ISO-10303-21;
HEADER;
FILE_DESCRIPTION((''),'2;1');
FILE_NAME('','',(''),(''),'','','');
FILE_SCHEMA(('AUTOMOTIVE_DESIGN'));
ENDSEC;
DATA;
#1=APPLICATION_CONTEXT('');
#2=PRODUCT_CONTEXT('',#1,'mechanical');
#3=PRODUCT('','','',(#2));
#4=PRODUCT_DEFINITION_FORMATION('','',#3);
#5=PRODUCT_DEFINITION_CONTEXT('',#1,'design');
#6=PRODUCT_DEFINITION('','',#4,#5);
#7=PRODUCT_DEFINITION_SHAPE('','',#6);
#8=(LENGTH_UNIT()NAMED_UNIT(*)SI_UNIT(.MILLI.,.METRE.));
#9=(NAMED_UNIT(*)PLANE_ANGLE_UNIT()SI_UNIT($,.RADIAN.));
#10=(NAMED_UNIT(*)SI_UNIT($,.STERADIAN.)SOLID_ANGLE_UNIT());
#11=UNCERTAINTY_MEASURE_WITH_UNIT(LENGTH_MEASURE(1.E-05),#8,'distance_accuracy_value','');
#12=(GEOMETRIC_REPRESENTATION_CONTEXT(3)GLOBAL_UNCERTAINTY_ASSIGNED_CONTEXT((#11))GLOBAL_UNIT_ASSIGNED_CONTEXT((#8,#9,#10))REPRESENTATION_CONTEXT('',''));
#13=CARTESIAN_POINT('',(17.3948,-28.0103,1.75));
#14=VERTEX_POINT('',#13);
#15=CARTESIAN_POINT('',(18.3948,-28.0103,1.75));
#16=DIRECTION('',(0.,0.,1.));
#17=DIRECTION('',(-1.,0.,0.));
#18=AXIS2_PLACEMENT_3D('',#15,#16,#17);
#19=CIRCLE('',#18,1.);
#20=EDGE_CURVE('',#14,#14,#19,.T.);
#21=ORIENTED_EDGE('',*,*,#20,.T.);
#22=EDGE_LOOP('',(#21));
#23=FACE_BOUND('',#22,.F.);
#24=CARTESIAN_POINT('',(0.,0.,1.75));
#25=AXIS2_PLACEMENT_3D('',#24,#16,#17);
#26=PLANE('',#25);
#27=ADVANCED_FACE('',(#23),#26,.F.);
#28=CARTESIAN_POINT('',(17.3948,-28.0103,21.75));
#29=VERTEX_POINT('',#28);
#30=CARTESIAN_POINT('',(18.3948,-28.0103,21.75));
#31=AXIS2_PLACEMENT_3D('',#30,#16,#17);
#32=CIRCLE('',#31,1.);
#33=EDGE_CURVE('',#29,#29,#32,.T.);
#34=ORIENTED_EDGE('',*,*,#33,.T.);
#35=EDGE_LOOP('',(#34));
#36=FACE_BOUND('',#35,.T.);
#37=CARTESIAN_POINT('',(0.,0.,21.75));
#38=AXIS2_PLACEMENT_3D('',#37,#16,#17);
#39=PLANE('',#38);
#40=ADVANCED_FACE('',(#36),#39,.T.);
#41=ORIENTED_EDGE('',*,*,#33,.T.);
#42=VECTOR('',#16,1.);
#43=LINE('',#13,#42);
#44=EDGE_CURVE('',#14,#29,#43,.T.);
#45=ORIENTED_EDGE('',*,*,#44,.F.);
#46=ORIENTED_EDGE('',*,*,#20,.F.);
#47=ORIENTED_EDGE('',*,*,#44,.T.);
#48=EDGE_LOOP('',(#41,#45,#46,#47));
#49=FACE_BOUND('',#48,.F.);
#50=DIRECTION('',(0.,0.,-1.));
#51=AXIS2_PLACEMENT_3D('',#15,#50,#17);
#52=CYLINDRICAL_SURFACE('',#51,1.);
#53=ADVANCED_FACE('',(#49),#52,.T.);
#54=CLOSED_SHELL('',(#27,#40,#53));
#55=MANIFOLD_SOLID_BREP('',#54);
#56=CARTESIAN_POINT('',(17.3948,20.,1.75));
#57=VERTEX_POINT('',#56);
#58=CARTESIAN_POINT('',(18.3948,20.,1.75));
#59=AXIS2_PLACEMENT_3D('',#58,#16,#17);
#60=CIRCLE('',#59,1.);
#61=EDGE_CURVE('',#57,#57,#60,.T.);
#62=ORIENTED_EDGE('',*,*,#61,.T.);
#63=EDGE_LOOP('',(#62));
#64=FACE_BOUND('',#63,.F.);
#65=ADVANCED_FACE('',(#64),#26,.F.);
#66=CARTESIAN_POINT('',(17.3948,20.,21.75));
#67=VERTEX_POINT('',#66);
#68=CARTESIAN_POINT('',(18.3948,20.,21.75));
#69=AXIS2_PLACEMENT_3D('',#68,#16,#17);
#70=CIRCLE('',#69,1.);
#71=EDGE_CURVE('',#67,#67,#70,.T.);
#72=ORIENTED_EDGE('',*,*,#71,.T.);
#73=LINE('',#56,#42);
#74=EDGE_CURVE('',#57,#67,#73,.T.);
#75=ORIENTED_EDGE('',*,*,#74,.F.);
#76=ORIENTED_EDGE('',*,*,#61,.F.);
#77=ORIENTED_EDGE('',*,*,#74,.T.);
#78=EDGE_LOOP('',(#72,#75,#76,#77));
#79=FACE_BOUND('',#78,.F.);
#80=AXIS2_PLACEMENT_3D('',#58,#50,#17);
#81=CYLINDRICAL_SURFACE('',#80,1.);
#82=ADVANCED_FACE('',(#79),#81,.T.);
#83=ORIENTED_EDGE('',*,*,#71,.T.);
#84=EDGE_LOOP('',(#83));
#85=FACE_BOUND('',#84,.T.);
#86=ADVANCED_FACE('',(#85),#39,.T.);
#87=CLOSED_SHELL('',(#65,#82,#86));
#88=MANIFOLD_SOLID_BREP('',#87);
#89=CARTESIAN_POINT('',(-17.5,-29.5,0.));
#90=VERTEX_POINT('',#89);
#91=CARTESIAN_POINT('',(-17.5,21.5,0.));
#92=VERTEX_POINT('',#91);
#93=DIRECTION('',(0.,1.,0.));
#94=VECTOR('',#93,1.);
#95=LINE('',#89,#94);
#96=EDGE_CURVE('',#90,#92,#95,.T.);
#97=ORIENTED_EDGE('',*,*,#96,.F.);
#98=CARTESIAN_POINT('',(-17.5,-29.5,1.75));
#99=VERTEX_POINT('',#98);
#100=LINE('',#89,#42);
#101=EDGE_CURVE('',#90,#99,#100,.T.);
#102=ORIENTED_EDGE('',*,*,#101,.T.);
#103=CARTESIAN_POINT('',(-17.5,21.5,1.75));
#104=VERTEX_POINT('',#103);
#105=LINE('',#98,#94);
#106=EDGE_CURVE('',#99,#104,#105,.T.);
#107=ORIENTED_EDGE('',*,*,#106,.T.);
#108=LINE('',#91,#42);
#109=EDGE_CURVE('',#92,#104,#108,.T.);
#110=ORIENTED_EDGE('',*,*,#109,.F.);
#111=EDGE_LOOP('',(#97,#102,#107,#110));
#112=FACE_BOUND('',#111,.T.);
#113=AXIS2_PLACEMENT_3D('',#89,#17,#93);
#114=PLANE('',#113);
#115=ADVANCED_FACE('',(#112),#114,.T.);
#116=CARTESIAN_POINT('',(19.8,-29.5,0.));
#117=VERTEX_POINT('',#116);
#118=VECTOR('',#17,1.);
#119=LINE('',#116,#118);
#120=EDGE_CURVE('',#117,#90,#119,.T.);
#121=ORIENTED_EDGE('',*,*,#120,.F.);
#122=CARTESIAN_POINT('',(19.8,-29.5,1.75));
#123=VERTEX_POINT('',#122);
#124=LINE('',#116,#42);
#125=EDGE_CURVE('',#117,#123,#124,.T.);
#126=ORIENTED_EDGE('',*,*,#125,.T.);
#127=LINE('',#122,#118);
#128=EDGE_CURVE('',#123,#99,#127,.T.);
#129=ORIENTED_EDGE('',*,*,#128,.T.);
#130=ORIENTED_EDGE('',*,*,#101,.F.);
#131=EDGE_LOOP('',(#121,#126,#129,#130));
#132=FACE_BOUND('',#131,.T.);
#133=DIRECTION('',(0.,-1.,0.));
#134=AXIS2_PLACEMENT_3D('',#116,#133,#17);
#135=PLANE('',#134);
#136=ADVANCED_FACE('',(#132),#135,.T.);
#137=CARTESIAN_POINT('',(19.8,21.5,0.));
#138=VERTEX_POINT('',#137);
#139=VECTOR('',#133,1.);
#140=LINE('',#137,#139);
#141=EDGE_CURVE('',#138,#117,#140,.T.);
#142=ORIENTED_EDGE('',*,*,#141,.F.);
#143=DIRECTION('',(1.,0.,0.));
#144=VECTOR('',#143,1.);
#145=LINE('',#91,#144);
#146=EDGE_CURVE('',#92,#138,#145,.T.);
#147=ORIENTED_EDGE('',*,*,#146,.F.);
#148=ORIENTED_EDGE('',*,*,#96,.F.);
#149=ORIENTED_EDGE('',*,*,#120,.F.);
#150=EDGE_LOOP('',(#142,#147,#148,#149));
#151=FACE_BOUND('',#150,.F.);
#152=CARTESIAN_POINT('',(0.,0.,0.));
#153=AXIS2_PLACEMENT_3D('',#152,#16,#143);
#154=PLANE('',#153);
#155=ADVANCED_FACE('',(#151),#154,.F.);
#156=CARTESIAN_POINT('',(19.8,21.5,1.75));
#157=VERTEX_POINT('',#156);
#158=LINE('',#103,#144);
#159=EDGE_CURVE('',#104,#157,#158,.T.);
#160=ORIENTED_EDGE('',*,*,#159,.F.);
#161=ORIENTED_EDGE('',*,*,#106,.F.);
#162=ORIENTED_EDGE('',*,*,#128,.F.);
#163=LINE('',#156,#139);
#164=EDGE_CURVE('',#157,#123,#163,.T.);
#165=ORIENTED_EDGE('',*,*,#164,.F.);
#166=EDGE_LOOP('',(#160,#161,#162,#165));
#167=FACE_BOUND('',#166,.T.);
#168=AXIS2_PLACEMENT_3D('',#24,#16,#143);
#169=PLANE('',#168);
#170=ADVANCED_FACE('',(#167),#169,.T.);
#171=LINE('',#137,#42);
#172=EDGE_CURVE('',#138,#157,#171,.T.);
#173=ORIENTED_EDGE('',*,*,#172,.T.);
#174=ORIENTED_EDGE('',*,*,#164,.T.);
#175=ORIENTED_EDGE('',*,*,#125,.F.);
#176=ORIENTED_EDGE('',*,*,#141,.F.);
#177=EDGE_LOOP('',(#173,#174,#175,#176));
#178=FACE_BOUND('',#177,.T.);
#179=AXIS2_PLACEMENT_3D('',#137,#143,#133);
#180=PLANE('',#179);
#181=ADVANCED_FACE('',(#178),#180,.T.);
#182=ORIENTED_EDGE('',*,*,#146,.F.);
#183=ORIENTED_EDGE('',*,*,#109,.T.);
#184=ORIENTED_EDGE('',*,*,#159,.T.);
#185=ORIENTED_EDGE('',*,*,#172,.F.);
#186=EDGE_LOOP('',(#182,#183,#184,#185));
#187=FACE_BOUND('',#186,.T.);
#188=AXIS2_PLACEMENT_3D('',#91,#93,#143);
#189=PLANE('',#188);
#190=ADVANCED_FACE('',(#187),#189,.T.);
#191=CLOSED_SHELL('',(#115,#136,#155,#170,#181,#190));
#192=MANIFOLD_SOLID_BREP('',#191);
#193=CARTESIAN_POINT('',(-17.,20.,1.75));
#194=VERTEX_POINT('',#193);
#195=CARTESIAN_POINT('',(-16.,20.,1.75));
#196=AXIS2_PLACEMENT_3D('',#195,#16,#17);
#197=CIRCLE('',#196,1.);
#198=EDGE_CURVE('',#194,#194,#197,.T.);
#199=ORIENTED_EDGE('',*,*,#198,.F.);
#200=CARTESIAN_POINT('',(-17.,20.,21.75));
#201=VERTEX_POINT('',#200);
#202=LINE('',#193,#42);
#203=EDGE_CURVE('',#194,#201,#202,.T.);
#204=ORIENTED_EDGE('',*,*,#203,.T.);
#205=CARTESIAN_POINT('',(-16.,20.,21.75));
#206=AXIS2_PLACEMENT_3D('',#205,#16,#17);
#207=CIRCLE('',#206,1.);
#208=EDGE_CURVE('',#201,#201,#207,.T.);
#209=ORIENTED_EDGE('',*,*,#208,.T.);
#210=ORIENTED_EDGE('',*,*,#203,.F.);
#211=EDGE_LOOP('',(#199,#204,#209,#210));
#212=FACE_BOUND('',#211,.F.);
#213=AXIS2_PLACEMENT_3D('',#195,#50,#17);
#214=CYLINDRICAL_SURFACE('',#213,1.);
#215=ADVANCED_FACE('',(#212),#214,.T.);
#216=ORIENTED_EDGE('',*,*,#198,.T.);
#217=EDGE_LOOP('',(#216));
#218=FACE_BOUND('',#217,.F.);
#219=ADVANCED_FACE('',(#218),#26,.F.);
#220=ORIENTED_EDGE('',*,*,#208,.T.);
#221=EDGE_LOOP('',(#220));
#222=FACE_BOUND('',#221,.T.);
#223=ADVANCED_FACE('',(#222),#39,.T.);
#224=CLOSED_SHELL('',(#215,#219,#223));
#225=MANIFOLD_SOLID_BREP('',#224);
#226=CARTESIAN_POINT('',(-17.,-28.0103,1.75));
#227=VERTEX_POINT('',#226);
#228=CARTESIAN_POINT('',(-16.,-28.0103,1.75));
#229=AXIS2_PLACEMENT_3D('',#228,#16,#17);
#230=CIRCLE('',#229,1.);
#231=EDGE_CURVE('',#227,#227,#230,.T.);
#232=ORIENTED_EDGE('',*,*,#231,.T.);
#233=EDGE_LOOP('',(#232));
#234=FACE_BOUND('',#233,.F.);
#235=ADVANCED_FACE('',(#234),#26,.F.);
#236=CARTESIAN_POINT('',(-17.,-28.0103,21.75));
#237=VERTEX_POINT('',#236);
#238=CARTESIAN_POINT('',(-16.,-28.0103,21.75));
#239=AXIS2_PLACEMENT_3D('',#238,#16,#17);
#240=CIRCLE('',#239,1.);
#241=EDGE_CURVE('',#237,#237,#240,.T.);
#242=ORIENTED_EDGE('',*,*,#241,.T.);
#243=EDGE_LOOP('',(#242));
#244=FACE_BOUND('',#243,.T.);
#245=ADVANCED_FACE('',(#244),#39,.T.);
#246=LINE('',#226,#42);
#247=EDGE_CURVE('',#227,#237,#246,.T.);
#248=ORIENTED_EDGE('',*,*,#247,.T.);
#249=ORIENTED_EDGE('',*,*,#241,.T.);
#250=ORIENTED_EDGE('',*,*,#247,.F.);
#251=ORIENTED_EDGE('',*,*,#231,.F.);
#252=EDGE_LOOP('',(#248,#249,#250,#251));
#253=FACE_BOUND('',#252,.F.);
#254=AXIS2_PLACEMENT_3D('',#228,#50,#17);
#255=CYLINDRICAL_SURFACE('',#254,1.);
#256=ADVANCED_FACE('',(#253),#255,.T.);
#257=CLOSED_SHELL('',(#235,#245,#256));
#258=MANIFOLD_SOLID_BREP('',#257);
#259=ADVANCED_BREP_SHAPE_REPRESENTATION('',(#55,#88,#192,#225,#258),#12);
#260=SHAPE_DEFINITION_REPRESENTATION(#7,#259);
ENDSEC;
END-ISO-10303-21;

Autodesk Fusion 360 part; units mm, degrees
sketch "Sketch1" plane through (0, 0, 0) normal (0, 0, 1) x (1, 0, 0)
  line L0 (-17.5, 21.5) -> (19.8, 21.5)
  line L1 (19.8, 21.5) -> (19.8, -29.5)
  line L2 (19.8, -29.5) -> (-17.5, -29.5)
  line L3 (-17.5, -29.5) -> (-17.5, 21.5)
  dimension "d1" = 37.3
  dimension "d2" = 51
  dimension "d3" = 17.5
  dimension "d4" = 21.5
extrude "Extrude1" add sketch "Sketch1" along normal blind 1.75 makes body 1
sketch "Sketch2" plane through (0, 0, 1.75) normal (0, 0, 1) x (-1, 0, 0)
  line L0 (17.5, 29.5) -> (-19.8, 29.5)
  line L1 (-19.8, 29.5) -> (-19.8, -21.5)
  line L2 (-19.8, -21.5) -> (17.5, -21.5)
  line L3 (17.5, -21.5) -> (17.5, 29.5)
  circle A0 centre (16, -20) radius 1
  circle A1 centre (-18.3948, -20) radius 1
  circle A2 centre (-18.3948, 28.0103) radius 1
  circle A3 centre (16, 28.0103) radius 1
  dimension "d7" = 2
  dimension "d8" = 2
  dimension "d9" = 2
  dimension "d10" = 2
extrude "Extrude2" add sketch "Sketch2" along normal blind 20 separate body contours A0 | A1 | A2 | A3 makes body 2 at (-16.7971, 19.3962, 15.0833) makes body 3 at (-16.9988, -27.9605, 15.0833) makes body 4 at (17.5977, 19.3962, 15.0833) makes body 5 at (17.8523, -28.8504, 15.0833)
